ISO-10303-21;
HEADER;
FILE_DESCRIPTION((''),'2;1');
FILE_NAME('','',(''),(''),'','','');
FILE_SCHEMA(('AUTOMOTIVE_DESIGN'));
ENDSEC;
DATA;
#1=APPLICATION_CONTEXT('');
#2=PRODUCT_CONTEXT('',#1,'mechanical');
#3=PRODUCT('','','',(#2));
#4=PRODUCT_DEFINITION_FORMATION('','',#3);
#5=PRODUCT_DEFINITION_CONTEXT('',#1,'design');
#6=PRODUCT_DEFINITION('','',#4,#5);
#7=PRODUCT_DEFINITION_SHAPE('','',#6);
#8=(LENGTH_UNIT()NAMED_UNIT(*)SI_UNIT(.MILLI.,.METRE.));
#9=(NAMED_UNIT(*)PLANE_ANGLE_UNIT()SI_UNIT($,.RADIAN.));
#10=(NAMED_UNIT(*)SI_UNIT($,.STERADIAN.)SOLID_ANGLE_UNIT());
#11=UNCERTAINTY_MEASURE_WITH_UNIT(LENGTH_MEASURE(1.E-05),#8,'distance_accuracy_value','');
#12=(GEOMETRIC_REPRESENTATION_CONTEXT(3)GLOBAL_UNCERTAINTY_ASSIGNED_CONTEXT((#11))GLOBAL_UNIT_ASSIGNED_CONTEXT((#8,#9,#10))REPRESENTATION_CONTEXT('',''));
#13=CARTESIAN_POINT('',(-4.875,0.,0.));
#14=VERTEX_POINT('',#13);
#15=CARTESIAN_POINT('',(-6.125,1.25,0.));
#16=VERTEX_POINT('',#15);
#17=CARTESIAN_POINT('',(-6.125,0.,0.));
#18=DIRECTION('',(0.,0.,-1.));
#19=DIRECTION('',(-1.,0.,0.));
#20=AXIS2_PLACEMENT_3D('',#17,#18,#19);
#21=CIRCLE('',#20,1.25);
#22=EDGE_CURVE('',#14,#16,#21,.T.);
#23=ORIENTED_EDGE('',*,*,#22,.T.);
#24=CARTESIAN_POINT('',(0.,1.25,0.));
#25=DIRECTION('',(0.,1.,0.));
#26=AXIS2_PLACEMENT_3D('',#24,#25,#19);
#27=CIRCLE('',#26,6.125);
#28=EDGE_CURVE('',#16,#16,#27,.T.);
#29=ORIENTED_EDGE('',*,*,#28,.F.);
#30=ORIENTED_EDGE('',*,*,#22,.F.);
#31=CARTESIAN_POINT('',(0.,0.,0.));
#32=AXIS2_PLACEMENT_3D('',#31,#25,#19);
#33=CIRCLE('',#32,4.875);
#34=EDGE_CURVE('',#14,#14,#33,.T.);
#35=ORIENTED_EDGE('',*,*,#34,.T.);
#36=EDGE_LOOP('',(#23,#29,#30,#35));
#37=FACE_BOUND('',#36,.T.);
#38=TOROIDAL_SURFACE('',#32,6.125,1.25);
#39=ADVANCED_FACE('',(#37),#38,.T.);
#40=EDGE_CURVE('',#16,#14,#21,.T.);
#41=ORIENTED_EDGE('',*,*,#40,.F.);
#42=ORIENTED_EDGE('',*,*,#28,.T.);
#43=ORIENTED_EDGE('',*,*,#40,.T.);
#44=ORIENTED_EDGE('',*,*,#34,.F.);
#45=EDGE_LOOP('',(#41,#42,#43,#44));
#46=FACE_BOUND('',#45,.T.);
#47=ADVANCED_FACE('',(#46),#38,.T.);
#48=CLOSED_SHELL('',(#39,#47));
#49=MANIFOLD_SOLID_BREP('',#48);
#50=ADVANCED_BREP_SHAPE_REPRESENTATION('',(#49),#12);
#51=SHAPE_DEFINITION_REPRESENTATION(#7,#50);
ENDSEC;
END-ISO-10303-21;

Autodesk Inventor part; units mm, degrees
ref_plane "YZ Plane" through (0, 0, 0) normal (1, 0, 0) x (0, 1, 0)
ref_plane "XZ Plane" through (0, 0, 0) normal (0, 1, 0) x (-1, 0, 0)
ref_plane "XY Plane" through (0, 0, 0) normal (0, 0, 1) x (1, 0, 0)
sketch "Boceto1" plane through (0, 0, 0) normal (0, 1, 0) x (-1, 0, 0)
  circle A0 centre (0, 0) radius 6.125
  dimension "d0" = 12.25
sketch "Boceto2" plane through (0, 0, 0) normal (1, 0, 0) x (0, 1, 0)
  circle A0 centre (0, 6.125) radius 1.25
  line L0 (0, -6.125) -> (0, 6.125) projected
  point P0 (0, 0)
  dimension "d1" = 2.5
sweep "Barrido1" add profiles "Boceto2" path "Boceto1"
properties part number "oring"
